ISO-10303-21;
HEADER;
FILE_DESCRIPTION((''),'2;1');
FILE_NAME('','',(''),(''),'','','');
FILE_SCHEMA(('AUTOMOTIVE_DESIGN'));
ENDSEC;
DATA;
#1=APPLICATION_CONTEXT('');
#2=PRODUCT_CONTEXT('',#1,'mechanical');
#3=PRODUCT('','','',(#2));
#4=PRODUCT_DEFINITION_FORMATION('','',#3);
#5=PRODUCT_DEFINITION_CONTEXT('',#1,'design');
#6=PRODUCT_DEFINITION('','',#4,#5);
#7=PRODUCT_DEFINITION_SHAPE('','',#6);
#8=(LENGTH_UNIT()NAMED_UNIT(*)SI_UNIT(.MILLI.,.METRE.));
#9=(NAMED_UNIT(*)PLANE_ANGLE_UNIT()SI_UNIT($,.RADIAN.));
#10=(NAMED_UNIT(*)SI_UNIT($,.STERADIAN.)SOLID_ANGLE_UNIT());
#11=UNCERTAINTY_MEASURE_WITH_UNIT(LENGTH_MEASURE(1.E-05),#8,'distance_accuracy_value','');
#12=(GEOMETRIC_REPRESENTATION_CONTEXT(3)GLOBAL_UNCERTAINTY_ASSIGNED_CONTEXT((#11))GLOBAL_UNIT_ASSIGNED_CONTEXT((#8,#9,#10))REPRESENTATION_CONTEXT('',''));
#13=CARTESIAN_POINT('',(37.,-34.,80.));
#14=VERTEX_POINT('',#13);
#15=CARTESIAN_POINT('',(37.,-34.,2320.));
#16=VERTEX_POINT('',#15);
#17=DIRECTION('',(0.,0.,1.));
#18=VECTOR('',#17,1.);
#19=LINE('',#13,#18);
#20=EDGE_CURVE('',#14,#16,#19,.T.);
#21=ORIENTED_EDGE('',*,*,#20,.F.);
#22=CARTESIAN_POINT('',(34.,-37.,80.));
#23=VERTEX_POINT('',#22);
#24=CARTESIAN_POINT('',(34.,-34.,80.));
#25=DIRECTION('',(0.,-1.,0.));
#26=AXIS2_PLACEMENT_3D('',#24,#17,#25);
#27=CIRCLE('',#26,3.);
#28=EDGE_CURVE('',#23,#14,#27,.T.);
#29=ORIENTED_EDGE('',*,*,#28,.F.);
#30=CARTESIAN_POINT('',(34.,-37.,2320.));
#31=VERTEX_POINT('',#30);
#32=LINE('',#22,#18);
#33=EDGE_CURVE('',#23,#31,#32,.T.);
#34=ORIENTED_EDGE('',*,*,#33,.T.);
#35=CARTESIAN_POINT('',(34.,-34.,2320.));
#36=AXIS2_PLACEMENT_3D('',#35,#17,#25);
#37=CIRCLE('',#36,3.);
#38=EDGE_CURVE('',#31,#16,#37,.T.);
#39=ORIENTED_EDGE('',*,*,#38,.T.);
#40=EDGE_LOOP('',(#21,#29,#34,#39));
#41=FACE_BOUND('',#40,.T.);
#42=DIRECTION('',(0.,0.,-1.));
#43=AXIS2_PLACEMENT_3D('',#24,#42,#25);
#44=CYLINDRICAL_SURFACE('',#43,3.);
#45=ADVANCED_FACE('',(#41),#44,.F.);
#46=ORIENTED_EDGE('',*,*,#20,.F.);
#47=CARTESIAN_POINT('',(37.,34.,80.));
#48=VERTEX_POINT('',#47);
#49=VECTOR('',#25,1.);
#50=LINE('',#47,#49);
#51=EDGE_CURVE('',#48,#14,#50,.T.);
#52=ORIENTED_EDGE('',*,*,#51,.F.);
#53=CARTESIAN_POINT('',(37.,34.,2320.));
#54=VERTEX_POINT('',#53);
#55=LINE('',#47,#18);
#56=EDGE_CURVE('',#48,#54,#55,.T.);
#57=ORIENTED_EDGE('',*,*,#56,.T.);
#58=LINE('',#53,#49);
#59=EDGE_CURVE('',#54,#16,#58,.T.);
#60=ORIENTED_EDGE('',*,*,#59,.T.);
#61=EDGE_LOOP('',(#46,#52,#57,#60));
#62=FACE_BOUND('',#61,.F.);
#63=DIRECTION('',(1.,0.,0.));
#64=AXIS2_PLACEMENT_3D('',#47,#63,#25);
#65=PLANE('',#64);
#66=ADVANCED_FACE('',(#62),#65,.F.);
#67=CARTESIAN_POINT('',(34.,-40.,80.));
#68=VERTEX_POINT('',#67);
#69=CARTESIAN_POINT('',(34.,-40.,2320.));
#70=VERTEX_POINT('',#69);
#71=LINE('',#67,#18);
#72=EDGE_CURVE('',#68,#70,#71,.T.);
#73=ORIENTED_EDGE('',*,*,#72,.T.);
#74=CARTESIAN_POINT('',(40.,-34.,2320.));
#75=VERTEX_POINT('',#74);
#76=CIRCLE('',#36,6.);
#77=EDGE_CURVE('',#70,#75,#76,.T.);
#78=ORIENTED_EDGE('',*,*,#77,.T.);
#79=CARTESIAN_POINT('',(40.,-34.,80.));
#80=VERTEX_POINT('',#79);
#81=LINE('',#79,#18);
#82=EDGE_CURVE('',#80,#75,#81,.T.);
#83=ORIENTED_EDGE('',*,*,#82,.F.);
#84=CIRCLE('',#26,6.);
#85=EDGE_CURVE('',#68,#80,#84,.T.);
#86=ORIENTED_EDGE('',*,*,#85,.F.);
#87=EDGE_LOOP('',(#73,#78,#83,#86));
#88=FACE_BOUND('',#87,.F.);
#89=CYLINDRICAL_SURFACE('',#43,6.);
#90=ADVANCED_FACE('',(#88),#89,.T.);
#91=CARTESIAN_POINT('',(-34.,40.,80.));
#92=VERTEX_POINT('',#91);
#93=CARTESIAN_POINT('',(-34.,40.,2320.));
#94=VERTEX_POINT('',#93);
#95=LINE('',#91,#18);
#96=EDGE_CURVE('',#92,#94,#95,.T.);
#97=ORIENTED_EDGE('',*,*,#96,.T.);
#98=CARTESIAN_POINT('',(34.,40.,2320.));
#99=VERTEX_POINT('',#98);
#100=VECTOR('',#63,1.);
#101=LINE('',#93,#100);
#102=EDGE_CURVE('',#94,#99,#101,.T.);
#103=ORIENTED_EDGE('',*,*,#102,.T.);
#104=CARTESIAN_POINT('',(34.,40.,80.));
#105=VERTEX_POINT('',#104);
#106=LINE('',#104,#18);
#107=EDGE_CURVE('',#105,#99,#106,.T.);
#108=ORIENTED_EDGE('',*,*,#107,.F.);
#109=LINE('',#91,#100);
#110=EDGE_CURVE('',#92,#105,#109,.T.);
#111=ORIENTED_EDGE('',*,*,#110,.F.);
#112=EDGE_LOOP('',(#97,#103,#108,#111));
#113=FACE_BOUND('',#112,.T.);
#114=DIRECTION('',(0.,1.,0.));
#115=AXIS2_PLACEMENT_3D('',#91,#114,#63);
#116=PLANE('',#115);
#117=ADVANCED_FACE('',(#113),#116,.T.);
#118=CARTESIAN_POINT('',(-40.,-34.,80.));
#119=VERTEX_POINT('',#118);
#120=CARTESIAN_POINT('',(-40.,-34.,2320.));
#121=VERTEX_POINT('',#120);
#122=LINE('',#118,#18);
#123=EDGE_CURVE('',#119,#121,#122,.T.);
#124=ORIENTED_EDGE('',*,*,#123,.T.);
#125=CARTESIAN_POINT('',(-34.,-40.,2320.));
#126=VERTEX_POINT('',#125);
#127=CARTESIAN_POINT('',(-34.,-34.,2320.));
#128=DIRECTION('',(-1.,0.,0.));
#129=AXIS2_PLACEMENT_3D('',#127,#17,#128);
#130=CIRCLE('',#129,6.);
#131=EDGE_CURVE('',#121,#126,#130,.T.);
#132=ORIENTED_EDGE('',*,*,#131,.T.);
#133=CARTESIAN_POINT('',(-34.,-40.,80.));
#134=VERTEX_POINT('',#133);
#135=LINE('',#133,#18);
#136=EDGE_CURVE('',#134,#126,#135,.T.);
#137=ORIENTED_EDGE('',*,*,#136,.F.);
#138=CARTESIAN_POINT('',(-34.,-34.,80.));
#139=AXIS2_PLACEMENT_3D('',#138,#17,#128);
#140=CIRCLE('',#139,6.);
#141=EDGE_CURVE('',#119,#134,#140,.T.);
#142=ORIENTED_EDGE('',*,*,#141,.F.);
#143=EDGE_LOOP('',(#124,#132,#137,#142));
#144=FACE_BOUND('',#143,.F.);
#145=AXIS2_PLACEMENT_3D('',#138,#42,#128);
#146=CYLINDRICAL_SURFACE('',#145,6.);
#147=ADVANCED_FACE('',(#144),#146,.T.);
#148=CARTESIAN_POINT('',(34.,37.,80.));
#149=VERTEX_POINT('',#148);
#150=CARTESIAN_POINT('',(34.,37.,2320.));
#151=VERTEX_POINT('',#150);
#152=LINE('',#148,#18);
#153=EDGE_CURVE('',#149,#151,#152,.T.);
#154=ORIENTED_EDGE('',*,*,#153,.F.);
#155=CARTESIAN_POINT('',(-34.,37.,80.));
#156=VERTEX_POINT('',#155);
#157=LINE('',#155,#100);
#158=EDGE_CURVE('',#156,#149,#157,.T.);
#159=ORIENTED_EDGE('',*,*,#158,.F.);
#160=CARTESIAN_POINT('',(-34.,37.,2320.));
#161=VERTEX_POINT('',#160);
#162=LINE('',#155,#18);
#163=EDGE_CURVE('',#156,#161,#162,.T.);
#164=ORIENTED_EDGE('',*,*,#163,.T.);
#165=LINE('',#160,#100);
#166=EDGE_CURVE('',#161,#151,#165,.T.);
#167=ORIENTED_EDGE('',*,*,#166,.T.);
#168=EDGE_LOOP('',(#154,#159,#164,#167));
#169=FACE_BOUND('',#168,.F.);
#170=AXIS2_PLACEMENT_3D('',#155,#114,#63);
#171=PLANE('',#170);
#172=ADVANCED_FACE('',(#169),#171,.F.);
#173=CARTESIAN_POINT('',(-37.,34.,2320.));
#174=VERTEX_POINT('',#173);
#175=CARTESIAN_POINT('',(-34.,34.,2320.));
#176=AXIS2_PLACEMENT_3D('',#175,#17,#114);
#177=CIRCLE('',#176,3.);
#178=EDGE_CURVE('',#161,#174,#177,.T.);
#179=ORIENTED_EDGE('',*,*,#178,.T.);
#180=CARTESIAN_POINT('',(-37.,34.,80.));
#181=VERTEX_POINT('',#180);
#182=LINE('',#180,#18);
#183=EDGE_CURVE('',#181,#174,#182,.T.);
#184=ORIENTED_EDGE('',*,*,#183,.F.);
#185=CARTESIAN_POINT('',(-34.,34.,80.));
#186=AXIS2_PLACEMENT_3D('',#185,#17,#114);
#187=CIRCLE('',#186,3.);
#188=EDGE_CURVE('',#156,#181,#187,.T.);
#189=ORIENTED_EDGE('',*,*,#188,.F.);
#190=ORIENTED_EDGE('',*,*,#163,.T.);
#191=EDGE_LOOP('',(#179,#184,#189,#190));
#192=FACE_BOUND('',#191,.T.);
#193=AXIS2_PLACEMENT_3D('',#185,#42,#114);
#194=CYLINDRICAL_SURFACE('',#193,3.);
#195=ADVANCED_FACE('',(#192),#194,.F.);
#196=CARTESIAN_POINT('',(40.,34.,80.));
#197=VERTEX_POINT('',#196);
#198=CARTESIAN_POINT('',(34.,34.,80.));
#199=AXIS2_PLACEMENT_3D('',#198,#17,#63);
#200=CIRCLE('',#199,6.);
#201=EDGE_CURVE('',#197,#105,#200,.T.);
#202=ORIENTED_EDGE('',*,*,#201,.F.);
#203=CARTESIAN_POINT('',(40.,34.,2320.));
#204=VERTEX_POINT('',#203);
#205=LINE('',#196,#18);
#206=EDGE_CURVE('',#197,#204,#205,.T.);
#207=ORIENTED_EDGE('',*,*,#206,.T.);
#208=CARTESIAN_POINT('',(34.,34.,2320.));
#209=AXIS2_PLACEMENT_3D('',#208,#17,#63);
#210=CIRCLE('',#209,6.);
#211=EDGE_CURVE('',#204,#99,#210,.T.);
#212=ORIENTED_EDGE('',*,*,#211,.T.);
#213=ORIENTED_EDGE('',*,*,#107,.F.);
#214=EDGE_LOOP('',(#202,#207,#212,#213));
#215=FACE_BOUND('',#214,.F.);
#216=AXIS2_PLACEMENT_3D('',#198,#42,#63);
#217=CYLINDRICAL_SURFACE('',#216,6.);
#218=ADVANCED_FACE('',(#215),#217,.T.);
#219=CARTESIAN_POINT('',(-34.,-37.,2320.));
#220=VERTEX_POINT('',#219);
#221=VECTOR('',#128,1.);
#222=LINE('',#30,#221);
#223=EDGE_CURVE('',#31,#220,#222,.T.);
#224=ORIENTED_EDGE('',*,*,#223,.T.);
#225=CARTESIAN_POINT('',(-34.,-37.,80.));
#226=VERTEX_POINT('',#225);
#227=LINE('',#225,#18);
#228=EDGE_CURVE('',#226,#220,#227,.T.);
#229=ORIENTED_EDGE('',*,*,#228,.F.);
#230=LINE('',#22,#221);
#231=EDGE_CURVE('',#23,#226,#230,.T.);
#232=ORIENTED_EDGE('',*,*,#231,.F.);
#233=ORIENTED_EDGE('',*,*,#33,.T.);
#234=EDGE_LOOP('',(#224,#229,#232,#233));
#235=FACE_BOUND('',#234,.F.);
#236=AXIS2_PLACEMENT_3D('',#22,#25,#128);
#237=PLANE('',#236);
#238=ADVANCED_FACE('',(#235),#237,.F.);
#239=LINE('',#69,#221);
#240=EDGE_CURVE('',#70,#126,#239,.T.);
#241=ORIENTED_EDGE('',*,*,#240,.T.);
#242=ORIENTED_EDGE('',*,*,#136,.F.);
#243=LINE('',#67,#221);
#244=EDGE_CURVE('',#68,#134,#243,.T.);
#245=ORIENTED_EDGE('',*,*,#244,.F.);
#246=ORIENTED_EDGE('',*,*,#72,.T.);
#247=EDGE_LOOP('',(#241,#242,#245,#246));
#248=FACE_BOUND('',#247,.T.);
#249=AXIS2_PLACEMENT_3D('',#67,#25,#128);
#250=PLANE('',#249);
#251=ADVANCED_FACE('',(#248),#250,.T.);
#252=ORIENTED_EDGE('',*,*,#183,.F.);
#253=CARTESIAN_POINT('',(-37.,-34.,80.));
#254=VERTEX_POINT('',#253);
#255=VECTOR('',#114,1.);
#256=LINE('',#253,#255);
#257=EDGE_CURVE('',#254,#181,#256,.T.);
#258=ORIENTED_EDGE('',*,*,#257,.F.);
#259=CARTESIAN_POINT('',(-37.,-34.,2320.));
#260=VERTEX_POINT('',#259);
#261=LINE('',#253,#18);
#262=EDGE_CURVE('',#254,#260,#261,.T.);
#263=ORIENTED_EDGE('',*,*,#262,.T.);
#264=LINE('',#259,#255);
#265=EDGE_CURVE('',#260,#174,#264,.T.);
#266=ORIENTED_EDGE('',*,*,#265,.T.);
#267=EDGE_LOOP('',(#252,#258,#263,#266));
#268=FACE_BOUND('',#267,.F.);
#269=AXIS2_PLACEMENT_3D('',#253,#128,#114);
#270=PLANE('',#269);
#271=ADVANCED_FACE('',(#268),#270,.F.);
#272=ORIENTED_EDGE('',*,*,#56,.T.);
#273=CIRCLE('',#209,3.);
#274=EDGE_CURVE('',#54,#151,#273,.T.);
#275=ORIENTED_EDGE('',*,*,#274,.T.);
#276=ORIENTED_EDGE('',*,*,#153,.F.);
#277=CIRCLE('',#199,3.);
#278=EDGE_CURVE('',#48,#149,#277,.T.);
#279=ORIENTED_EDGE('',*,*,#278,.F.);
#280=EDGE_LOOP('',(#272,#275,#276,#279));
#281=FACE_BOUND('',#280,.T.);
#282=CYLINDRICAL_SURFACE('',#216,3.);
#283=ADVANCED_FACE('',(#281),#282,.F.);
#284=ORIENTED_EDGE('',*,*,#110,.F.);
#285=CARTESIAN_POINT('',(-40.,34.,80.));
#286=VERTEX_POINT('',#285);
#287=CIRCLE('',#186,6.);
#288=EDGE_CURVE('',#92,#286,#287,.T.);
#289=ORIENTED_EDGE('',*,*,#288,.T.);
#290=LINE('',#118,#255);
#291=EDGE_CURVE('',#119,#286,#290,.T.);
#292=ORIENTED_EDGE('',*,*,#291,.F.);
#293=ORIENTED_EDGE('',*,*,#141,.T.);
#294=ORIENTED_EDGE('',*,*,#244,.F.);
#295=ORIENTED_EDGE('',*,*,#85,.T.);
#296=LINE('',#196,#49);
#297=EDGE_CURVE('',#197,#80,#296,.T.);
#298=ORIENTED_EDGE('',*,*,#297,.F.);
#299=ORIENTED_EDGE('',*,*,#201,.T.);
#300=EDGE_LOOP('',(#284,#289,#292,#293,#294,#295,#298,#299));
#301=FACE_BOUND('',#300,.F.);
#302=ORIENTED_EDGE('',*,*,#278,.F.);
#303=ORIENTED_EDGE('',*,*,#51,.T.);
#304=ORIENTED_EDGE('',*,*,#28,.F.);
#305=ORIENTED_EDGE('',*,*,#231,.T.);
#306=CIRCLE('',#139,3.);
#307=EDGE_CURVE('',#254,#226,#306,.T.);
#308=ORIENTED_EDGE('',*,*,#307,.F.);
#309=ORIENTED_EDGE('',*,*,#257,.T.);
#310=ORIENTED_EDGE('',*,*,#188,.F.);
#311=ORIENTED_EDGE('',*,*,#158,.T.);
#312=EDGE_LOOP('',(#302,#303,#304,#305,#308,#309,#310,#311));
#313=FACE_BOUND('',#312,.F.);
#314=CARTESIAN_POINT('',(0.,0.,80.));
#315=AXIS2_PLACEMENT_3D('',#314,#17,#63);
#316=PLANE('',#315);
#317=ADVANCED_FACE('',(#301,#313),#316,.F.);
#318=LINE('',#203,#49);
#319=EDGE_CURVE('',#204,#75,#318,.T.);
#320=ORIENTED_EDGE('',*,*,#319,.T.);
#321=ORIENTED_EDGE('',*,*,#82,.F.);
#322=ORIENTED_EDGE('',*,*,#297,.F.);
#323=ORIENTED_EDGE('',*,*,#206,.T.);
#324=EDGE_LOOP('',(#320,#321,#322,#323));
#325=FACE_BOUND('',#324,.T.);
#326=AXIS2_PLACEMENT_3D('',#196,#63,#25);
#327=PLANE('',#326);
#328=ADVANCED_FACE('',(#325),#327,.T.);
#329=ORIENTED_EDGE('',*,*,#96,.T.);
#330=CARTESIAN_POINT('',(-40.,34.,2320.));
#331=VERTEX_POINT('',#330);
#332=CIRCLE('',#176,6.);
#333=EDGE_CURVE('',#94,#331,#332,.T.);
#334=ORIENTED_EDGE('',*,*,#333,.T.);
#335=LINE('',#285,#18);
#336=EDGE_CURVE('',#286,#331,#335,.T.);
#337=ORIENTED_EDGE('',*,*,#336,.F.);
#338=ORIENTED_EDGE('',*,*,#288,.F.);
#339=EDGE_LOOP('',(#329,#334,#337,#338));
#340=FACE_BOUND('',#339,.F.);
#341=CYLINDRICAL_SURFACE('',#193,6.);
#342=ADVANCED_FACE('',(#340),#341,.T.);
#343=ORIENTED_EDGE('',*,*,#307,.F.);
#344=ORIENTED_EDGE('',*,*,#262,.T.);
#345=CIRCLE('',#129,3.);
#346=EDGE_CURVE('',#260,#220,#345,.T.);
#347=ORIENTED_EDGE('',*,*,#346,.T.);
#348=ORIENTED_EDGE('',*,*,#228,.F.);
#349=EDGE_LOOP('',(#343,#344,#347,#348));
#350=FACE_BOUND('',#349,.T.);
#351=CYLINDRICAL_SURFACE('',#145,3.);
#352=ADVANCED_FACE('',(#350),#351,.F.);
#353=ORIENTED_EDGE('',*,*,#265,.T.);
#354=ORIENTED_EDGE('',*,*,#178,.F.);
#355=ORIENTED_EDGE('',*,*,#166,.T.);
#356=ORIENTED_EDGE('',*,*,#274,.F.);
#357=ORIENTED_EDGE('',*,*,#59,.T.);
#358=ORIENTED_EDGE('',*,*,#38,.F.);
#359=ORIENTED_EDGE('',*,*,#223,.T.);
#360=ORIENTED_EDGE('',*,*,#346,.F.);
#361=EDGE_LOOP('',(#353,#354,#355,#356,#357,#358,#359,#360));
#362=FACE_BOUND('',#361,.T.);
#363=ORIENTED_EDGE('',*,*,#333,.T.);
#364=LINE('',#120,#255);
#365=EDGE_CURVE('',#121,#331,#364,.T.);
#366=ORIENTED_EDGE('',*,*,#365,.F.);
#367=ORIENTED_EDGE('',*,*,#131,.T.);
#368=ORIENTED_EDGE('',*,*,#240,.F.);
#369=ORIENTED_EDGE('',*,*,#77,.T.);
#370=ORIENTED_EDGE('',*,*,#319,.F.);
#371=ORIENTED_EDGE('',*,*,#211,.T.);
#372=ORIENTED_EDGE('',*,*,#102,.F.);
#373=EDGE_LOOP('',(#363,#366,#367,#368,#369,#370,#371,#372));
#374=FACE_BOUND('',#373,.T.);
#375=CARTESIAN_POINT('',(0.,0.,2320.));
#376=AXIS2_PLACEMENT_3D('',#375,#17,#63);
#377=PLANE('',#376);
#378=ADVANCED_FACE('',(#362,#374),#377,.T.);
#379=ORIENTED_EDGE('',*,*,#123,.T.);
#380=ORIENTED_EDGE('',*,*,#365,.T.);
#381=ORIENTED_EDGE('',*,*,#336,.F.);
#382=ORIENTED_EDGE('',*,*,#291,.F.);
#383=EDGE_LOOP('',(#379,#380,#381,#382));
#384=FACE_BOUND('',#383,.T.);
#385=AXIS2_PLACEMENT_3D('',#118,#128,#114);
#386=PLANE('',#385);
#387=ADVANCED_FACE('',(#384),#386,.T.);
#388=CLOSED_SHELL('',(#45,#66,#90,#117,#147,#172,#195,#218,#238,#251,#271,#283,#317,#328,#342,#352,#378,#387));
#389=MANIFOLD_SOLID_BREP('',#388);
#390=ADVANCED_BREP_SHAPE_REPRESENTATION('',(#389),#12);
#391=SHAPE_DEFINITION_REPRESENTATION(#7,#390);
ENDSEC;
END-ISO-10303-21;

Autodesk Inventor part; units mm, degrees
ref_plane "YZ Plane" through (0, 0, 0) normal (1, 0, 0) x (0, 1, 0)
ref_plane "Start Plane" through (0, 0, 80) normal (0, 0, 1) x (1, 0, 0)
ref_plane "End Plane" through (0, 0, 2320) normal (0, 0, 1) x (1, 0, 0)
sketch "Sketch" plane through (0, 0, 0) normal (0, 0, 1) x (1, 0, 0)
  line L0 (-40, -34) -> (-40, 34)
  line L1 (-34, 40) -> (34, 40)
  line L2 (40, 34) -> (40, -34)
  line L3 (34, -40) -> (-34, -40)
  arc A0 (-40, -34) -> (-34, -40) centre (-34, -34) ccw
  arc A1 (40, 34) -> (34, 40) centre (34, 34) ccw
  arc A2 (-34, 40) -> (-40, 34) centre (-34, 34) ccw
  arc A3 (34, -40) -> (40, -34) centre (34, -34) ccw
  arc A4 (-34, 37) -> (-37, 34) centre (-34, 34) ccw
  line L4 (-34, 37) -> (34, 37)
  arc A5 (37, 34) -> (34, 37) centre (34, 34) ccw
  line L5 (37, 34) -> (37, -34)
  arc A6 (34, -37) -> (37, -34) centre (34, -34) ccw
  line L6 (34, -37) -> (-34, -37)
  arc A7 (-37, -34) -> (-34, -37) centre (-34, -34) ccw
  line L7 (-37, -34) -> (-37, 34)
  line L8 (0, 57.7397) -> (0, -57.7397) construction
  line L9 (-57.7397, 0) -> (57.7397, 0) construction
  dimension "d7" = 6
  dimension "d9" = 80
  dimension "d11" = 80
  dimension "d12" = 3
  dimension "d15" = 40
  dimension "d16" = 40
extrude "Body" add sketch "Sketch" along normal up to surface (2240 mm away) from surface at 80
sketch "Sketch3" plane through (0, 0, 0) normal (0, 0, 1) x (1, 0, 0)
  line L0 (0, 0) -> (10, 0)
ref_plane "Work Plane3" through (0, 0, 0) normal (0, -1, 0) x (1, 0, 0)
sketch "Sketch4" plane through (0, 0, 0) normal (0, -1, 0) x (1, 0, 0)
  line L0 (-2, 80) -> (12, 80) projected
  line L1 (-2, 2320) -> (12, 2320) projected
  dimension "d18" = 2240
equation "\"d7\" = G_IR"
equation "\"d9\" = G_W"
equation "\"d11\" = G_H"
equation "\"d12\" = G_T"
equation "\"d15\" = 0.5 * d9"
equation "\"d16\" = 0.5 * d11"
equation "\"d3\" = G_L"
equation "\"G_W\" = 80"
equation "\"G_H\" = 80"
equation "\"G_T\" = 3"
equation "\"G_IR\" = 6"
equation "\"G_L\" = d18"
properties part number "ISO 10799-2 - 80x80x3 - 2240" material "Steel, Mild"
